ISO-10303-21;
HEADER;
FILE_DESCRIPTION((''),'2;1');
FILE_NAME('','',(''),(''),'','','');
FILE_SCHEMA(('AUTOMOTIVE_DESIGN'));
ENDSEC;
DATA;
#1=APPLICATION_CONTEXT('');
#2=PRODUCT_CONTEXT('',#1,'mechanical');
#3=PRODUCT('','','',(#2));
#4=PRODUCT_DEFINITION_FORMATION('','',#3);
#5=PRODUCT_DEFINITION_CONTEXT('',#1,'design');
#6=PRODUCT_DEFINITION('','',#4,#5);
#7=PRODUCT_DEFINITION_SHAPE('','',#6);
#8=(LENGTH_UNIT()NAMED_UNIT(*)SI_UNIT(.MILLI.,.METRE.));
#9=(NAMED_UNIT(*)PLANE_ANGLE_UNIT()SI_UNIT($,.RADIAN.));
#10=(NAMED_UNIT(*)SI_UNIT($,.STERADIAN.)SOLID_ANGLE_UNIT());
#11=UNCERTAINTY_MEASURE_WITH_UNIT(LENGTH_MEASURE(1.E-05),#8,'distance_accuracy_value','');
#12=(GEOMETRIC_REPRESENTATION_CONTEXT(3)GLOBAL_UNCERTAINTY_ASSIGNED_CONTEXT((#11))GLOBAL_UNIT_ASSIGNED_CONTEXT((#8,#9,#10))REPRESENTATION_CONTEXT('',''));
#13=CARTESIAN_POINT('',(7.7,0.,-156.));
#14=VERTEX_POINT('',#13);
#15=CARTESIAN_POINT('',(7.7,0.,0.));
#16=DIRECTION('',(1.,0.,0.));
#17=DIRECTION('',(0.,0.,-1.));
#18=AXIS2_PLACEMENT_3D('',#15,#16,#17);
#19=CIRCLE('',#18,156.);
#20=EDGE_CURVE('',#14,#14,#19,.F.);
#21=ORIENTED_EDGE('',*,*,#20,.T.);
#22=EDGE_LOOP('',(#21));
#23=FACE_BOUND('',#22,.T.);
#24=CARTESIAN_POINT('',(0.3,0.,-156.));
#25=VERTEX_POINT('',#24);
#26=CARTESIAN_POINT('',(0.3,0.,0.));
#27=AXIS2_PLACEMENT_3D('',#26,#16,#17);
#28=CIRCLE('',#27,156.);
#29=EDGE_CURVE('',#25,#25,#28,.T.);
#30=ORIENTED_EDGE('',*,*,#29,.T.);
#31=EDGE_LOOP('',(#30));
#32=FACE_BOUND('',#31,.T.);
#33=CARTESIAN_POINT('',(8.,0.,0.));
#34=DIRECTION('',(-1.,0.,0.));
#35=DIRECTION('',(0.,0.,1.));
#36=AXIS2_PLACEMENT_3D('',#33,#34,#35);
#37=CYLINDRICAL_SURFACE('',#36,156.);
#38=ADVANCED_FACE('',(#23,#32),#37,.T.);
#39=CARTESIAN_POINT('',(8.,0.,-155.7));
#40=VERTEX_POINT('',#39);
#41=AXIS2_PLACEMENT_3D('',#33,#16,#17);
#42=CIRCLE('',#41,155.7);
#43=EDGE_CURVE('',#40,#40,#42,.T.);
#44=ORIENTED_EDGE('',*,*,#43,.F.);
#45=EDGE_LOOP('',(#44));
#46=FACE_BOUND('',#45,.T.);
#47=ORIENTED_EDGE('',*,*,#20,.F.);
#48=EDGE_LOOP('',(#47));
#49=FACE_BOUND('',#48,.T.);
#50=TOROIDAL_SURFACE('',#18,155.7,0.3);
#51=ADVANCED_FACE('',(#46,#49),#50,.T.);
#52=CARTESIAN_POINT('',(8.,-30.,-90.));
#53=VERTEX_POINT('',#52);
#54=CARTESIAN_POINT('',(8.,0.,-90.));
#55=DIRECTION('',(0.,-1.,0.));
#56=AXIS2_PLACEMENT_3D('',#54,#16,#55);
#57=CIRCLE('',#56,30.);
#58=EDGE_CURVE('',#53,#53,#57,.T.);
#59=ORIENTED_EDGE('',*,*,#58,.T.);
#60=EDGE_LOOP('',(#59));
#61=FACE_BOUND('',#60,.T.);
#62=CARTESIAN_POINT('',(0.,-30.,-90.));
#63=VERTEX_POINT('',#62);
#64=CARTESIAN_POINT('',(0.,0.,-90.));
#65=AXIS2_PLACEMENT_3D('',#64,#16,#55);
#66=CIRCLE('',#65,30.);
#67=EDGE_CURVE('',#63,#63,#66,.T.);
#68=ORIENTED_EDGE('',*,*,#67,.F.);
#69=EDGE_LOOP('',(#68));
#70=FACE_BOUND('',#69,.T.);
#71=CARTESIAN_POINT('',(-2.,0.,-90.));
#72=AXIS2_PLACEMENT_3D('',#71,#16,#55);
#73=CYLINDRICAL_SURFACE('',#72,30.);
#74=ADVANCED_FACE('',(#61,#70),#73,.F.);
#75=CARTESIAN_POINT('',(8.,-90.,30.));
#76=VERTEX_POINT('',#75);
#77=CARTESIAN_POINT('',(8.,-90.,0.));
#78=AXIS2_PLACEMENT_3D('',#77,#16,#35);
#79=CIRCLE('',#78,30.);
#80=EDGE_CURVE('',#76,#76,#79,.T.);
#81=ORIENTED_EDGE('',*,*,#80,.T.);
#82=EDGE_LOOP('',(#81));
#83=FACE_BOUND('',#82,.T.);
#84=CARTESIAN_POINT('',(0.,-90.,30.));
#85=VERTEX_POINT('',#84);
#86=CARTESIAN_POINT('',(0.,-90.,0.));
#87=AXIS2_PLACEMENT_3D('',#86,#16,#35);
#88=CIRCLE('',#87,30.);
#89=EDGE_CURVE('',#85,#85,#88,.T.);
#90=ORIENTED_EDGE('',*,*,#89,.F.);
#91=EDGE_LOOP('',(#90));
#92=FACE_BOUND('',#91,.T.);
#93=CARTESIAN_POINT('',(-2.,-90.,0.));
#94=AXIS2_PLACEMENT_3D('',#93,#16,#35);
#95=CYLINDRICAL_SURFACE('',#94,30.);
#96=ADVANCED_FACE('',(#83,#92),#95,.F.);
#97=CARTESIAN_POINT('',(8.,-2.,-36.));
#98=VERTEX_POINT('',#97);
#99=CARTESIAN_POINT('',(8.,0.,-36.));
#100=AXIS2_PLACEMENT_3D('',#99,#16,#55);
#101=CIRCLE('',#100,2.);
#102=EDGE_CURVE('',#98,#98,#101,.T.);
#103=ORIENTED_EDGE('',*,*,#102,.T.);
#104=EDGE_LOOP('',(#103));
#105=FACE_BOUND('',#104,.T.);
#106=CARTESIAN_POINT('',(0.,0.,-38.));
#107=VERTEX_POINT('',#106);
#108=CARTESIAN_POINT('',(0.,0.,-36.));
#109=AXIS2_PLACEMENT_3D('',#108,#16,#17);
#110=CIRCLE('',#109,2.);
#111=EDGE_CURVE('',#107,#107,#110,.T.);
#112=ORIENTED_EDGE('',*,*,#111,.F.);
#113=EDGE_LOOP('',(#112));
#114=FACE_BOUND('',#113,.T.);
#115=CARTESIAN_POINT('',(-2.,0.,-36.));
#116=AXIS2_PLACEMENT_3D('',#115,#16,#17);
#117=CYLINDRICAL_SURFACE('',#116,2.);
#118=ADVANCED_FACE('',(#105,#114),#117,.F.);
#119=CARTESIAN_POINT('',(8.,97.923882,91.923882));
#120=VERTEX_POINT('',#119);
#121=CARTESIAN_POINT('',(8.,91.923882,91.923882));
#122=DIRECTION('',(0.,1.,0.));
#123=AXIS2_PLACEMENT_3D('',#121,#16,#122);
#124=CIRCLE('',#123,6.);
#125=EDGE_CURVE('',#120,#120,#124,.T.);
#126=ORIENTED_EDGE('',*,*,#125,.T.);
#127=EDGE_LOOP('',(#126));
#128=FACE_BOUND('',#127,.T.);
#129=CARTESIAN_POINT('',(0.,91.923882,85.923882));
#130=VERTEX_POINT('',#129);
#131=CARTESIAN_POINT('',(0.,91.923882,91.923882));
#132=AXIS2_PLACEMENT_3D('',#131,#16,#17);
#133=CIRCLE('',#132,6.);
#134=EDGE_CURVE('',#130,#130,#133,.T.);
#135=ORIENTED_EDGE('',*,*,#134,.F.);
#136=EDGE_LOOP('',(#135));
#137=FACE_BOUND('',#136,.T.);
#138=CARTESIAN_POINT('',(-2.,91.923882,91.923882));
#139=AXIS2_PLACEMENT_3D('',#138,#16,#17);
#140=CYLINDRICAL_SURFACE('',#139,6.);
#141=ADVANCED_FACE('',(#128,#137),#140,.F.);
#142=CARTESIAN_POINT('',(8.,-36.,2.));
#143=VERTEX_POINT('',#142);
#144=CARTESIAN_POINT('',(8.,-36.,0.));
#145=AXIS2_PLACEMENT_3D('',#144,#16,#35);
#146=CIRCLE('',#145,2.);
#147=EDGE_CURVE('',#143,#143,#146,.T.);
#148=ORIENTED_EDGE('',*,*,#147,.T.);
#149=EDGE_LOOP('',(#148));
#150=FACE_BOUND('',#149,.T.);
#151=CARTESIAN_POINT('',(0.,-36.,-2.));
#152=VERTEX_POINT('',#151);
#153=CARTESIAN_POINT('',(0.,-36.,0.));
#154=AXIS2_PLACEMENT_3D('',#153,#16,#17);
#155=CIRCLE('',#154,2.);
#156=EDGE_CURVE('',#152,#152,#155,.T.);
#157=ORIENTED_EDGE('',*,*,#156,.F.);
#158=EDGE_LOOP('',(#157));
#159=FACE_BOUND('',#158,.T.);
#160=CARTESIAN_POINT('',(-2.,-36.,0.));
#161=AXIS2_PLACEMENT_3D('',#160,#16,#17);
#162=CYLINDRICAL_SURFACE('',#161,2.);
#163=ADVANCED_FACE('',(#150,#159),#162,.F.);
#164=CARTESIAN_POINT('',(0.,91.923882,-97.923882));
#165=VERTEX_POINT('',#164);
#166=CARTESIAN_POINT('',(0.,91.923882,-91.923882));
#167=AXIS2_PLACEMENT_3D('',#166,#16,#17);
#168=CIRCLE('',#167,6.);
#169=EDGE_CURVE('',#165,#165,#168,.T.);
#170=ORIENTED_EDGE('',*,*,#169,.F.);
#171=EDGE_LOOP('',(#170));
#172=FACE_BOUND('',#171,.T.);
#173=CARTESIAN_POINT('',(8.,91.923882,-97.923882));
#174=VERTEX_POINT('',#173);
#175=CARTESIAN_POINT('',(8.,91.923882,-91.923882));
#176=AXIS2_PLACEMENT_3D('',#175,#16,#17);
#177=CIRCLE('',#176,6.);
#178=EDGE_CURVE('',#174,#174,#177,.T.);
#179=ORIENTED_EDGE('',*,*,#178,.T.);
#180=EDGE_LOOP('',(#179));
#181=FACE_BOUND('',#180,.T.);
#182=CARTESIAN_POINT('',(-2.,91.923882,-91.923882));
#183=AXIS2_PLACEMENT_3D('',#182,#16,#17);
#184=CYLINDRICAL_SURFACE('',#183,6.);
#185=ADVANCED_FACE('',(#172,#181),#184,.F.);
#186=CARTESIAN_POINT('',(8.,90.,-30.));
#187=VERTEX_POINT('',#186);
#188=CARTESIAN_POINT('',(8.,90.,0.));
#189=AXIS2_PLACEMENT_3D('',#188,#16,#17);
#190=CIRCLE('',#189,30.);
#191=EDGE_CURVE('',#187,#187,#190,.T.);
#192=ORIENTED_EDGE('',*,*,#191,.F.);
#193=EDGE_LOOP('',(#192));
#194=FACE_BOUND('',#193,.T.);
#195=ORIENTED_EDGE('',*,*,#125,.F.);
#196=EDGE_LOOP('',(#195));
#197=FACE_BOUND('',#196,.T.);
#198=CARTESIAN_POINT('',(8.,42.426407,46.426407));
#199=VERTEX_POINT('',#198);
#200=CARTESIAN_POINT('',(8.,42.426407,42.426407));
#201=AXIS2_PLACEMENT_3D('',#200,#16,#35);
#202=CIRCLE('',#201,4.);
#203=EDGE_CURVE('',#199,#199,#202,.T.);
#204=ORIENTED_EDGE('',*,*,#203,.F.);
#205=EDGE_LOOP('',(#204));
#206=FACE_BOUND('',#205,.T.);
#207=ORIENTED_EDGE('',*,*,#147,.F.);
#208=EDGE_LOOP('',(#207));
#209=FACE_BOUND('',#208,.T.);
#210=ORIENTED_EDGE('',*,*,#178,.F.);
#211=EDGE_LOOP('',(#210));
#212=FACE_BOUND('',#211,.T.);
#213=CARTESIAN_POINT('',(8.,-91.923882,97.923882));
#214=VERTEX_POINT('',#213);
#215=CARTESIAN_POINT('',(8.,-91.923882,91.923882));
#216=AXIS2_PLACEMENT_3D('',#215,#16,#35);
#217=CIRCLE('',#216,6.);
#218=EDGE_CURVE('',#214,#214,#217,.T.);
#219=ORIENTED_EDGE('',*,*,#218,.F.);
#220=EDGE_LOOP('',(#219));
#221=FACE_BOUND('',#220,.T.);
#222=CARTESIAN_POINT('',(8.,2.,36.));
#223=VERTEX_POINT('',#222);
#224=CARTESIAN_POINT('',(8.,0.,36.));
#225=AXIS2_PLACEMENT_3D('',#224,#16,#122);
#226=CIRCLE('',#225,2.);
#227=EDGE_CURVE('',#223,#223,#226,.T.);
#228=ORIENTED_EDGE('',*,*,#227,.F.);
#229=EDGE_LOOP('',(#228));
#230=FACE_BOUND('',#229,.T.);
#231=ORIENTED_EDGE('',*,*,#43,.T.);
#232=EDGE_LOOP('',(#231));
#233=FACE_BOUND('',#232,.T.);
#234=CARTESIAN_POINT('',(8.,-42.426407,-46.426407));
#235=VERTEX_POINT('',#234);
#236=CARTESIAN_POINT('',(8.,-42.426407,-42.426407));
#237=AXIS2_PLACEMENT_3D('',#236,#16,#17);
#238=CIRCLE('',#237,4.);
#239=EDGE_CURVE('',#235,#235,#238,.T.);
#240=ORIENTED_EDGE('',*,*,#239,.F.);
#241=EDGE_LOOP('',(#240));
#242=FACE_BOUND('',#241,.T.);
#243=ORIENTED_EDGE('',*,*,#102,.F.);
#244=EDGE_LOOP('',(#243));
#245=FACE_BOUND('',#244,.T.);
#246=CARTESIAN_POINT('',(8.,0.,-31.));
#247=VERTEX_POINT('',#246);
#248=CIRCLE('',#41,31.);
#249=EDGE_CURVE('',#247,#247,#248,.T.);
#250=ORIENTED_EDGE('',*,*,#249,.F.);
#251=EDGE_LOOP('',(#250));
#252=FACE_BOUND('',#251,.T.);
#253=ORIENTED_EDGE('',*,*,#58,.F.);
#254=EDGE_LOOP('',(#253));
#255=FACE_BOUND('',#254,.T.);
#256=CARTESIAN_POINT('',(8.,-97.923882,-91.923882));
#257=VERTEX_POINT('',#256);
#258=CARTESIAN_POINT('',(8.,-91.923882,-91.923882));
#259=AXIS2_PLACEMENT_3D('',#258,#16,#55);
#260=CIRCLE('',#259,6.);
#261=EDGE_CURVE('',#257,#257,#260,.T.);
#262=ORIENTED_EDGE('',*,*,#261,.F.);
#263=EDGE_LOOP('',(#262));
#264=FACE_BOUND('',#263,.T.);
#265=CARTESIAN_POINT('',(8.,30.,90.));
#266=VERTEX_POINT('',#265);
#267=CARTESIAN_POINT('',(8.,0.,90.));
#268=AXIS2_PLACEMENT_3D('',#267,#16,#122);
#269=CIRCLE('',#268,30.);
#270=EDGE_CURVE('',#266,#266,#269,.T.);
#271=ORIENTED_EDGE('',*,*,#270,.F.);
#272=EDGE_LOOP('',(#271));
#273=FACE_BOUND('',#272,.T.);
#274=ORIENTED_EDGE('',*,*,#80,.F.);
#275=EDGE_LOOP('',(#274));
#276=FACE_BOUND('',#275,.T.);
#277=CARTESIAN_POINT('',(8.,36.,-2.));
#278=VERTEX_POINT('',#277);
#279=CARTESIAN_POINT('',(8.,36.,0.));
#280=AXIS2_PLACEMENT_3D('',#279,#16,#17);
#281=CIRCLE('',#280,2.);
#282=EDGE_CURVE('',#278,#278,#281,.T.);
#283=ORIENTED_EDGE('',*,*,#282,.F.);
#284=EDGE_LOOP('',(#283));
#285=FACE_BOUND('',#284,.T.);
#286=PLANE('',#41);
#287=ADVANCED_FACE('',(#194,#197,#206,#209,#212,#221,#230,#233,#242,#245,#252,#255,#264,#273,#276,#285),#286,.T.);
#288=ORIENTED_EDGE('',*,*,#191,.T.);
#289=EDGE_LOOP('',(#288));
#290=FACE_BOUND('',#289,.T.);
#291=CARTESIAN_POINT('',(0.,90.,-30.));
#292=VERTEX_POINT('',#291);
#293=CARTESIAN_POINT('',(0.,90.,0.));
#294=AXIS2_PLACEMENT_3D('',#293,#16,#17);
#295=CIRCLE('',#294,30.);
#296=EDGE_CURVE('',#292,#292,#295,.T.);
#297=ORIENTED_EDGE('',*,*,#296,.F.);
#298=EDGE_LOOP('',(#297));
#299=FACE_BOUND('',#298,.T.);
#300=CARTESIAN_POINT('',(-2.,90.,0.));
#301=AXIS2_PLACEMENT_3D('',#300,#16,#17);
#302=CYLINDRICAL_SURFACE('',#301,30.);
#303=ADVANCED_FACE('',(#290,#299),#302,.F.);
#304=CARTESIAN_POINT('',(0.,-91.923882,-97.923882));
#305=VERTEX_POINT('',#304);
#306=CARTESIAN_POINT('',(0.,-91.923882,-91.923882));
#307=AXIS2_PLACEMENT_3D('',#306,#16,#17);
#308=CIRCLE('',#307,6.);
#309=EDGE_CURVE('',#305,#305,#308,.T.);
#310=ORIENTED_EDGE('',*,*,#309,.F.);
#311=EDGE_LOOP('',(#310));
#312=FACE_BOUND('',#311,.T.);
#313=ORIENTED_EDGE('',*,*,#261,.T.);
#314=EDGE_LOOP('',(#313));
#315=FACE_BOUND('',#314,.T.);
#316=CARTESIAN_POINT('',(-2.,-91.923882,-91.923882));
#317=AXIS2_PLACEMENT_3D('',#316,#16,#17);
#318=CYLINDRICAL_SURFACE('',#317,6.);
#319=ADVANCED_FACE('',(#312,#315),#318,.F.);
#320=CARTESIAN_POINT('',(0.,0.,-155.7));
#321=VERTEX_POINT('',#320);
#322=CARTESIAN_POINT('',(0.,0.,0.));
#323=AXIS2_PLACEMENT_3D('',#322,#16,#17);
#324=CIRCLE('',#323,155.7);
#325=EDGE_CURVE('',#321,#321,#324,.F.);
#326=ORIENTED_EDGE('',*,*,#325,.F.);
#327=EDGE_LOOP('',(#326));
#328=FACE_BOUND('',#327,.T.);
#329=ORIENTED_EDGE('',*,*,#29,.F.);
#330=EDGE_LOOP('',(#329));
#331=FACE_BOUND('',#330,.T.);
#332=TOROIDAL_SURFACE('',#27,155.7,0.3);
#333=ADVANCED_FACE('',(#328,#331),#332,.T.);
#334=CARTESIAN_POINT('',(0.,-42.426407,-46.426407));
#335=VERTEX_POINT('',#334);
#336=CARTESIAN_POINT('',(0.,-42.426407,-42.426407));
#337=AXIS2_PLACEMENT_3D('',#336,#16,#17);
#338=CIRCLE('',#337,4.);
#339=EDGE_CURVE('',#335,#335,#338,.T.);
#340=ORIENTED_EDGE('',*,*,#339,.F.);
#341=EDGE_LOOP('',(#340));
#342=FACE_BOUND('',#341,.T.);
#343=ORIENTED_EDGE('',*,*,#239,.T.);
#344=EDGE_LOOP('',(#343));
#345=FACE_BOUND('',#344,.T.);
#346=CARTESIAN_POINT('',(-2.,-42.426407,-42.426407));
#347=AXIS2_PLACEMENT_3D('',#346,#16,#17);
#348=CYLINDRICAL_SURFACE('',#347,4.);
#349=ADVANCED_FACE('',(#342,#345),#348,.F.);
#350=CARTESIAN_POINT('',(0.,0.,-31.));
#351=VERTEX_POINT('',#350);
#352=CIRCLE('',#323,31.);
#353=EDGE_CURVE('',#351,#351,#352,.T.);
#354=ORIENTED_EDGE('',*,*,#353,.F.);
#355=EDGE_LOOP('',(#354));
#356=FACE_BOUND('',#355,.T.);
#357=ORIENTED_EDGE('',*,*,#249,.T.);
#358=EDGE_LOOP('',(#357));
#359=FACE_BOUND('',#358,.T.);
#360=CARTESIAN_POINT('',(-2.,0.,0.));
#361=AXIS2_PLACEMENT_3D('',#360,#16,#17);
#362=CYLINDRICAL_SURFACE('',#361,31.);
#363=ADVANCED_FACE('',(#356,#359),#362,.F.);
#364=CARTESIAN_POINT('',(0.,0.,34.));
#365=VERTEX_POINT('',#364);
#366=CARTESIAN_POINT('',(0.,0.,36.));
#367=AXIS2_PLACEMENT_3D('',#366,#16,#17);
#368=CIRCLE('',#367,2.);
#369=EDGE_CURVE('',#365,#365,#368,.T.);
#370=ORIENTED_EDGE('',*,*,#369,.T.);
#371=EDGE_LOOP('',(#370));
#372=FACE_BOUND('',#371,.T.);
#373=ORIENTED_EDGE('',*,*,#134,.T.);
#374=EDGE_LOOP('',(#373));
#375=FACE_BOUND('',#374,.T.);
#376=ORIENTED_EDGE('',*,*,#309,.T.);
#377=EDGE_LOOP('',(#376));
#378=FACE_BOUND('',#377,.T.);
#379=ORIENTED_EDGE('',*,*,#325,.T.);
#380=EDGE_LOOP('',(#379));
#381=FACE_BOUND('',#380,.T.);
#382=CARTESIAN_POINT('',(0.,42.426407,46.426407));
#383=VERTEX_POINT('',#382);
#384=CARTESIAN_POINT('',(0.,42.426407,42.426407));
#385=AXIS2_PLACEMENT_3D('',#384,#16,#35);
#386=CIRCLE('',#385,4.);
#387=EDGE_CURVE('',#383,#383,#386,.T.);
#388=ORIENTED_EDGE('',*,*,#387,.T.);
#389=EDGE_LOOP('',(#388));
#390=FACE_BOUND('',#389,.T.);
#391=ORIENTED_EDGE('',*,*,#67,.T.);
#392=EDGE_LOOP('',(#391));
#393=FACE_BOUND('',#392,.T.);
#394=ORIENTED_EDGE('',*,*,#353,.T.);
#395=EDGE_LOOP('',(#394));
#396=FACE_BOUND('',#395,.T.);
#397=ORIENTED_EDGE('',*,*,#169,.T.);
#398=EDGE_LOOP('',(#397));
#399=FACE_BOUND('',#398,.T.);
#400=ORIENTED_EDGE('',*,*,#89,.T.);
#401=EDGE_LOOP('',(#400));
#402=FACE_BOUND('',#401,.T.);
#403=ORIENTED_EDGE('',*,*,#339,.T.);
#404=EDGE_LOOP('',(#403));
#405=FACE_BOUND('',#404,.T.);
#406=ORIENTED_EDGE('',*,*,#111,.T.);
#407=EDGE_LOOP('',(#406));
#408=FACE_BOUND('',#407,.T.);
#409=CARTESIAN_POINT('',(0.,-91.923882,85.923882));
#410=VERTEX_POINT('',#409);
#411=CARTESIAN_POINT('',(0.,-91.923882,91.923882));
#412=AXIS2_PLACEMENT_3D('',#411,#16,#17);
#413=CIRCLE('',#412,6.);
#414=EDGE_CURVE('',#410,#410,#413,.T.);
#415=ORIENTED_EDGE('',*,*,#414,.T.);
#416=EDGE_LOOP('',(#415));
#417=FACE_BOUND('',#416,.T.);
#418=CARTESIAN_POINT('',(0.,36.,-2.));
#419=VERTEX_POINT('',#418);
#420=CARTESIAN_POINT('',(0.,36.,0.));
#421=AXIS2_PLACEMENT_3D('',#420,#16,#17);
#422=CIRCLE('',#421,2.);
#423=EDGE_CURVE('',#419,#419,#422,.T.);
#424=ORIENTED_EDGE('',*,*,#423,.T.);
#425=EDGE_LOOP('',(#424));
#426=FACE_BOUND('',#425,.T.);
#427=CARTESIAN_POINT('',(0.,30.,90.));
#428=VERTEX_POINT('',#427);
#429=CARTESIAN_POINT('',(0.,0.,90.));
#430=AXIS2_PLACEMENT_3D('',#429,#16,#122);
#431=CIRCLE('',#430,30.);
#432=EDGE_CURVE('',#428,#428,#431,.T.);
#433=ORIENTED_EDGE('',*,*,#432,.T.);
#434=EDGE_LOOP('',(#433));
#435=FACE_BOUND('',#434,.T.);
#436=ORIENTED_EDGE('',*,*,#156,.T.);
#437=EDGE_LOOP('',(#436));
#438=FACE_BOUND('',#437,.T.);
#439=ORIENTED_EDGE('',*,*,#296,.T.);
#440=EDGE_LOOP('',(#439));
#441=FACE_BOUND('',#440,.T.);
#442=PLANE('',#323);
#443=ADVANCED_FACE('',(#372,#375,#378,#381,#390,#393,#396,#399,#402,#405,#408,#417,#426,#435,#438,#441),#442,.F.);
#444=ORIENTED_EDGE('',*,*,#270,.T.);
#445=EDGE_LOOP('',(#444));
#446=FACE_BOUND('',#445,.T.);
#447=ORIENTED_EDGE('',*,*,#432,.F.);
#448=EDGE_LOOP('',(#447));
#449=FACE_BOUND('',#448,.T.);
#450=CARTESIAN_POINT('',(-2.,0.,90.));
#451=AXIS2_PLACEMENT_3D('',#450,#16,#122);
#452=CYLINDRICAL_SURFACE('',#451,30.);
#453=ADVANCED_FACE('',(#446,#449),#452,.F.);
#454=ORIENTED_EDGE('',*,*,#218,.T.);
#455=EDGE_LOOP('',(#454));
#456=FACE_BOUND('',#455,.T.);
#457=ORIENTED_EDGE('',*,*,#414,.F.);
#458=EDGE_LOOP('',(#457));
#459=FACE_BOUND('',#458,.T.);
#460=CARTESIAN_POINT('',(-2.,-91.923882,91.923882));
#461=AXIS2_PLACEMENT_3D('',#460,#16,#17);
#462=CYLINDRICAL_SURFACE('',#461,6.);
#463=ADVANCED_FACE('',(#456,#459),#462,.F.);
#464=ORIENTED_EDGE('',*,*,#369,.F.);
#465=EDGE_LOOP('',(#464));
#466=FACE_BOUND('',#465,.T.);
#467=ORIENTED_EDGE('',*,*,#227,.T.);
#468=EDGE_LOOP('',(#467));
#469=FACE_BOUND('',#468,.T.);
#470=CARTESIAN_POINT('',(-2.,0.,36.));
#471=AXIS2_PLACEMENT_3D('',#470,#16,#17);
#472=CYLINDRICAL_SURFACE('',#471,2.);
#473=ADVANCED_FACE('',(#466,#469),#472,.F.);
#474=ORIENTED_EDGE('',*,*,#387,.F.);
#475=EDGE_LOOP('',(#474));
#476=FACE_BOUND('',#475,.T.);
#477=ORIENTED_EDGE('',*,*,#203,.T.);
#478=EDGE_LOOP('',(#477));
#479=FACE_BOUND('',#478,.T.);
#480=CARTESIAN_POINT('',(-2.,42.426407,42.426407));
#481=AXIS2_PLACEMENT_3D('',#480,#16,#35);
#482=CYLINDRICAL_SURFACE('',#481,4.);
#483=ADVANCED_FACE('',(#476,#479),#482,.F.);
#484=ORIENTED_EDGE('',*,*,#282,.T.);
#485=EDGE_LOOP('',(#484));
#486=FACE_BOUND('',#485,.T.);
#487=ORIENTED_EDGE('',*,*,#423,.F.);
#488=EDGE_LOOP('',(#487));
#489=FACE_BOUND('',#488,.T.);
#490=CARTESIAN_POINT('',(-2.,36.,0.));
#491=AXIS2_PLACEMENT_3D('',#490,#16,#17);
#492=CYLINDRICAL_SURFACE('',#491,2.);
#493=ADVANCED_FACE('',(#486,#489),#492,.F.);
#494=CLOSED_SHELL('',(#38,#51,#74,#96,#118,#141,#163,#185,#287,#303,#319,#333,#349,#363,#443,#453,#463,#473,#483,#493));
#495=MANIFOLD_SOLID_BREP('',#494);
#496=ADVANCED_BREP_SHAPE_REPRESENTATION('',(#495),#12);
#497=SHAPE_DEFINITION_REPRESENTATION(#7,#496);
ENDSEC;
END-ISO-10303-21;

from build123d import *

# Parameters (mm, degrees)
SKETCH_1_R               = 156
EXTRUDE_1_DEPTH          = 8
SKETCH_2_R               = 31
CUT_EXTRUDE_1_DEPTH      = 10
SKETCH_4_R               = 6
CUT_EXTRUDE_3_DEPTH      = 10
PATTERN_CIRCULAR_2_COUNT = 4
SKETCH_6_R               = 2
CUT_EXTRUDE_5_DEPTH      = 10
PATTERN_CIRCULAR_4_COUNT = 4
FILLET_1_R               = 0.3
SKETCH_8_R               = 4
CUT_EXTRUDE_7_DEPTH      = 10
SKETCH_9_R               = 30
CUT_EXTRUDE_8_DEPTH      = 10
PATTERN_CIRCULAR_6_COUNT = 4
PATTERN_CIRCULAR_7_COUNT = 2


with BuildPart() as part:
    # 草图1 → 凸台-拉伸1 (new body)
    with BuildSketch(Plane(origin=(0, 0, 0), x_dir=(0, 0, -1), z_dir=(1, 0, 0))):
        Circle(SKETCH_1_R)
    extrude(amount=EXTRUDE_1_DEPTH)

    # 草图2 → 切除-拉伸1 (cut)
    with BuildSketch(Plane(origin=(8, 0, 0), x_dir=(0, 0, -1), z_dir=(1, 0, 0))):
        Circle(SKETCH_2_R)
    extrude(amount=-CUT_EXTRUDE_1_DEPTH, mode=Mode.SUBTRACT)

    # 草图4 → 切除-拉伸3 (cut)
    with BuildSketch(Plane(origin=(8, 0, 0), x_dir=(0, 0, -1), z_dir=(1, 0, 0))):
        with Locations((91.923881554, 91.923881554)):
            Circle(SKETCH_4_R)
    cut_extrude_3 = extrude(amount=-CUT_EXTRUDE_3_DEPTH, mode=Mode.SUBTRACT)

    # 阵列(圆周)2: 切除-拉伸3 ×4 about axis
    pattern_circular_2_axis = Axis((0, 0, 0), (1, 0, 0))
    for i in range(1, PATTERN_CIRCULAR_2_COUNT):
        add(cut_extrude_3.rotate(pattern_circular_2_axis, i * 360 / PATTERN_CIRCULAR_2_COUNT), mode=Mode.SUBTRACT)

    # 草图6 → 切除-拉伸5 (cut)
    with BuildSketch(Plane(origin=(8, 0, 0), x_dir=(0, 0, -1), z_dir=(1, 0, 0))):
        with Locations((0, 36)):
            Circle(SKETCH_6_R)
    cut_extrude_5 = extrude(amount=-CUT_EXTRUDE_5_DEPTH, mode=Mode.SUBTRACT)

    # 阵列(圆周)4: 切除-拉伸5 ×4 about axis
    pattern_circular_4_axis = Axis((0, 0, 0), (1, 0, 0))
    for i in range(1, PATTERN_CIRCULAR_4_COUNT):
        add(cut_extrude_5.rotate(pattern_circular_4_axis, i * 360 / PATTERN_CIRCULAR_4_COUNT), mode=Mode.SUBTRACT)

    # 圆角1
    fillet_1_edges = [part.edges().sort_by_distance(p)[0] for p in [
        (0, 0, 156),
        (8, 0, 156),
    ]]
    fillet(fillet_1_edges, radius=FILLET_1_R)

    # 草图8 → 切除-拉伸7 (cut)
    with BuildSketch(Plane(origin=(8, 0, 0), x_dir=(0, 0, -1), z_dir=(1, 0, 0))):
        with Locations((42.426406871, -42.426406871)):
            Circle(SKETCH_8_R)
    cut_extrude_7 = extrude(amount=-CUT_EXTRUDE_7_DEPTH, mode=Mode.SUBTRACT)

    # 草图9 → 切除-拉伸8 (cut)
    with BuildSketch(Plane(origin=(8, 0, 0), x_dir=(0, 0, -1), z_dir=(1, 0, 0))):
        with Locations((0, 90)):
            Circle(SKETCH_9_R)
    cut_extrude_8 = extrude(amount=-CUT_EXTRUDE_8_DEPTH, mode=Mode.SUBTRACT)

    # 阵列(圆周)6: 切除-拉伸8 ×4 about axis
    pattern_circular_6_axis = Axis((0, 0, 0), (1, 0, 0))
    for i in range(1, PATTERN_CIRCULAR_6_COUNT):
        add(cut_extrude_8.rotate(pattern_circular_6_axis, i * 360 / PATTERN_CIRCULAR_6_COUNT), mode=Mode.SUBTRACT)

    # 阵列(圆周)7: 切除-拉伸7 ×2 about axis
    pattern_circular_7_axis = Axis((0, 0, 0), (1, 0, 0))
    for i in range(1, PATTERN_CIRCULAR_7_COUNT):
        add(cut_extrude_7.rotate(pattern_circular_7_axis, i * 360 / PATTERN_CIRCULAR_7_COUNT), mode=Mode.SUBTRACT)


solid = part.part
